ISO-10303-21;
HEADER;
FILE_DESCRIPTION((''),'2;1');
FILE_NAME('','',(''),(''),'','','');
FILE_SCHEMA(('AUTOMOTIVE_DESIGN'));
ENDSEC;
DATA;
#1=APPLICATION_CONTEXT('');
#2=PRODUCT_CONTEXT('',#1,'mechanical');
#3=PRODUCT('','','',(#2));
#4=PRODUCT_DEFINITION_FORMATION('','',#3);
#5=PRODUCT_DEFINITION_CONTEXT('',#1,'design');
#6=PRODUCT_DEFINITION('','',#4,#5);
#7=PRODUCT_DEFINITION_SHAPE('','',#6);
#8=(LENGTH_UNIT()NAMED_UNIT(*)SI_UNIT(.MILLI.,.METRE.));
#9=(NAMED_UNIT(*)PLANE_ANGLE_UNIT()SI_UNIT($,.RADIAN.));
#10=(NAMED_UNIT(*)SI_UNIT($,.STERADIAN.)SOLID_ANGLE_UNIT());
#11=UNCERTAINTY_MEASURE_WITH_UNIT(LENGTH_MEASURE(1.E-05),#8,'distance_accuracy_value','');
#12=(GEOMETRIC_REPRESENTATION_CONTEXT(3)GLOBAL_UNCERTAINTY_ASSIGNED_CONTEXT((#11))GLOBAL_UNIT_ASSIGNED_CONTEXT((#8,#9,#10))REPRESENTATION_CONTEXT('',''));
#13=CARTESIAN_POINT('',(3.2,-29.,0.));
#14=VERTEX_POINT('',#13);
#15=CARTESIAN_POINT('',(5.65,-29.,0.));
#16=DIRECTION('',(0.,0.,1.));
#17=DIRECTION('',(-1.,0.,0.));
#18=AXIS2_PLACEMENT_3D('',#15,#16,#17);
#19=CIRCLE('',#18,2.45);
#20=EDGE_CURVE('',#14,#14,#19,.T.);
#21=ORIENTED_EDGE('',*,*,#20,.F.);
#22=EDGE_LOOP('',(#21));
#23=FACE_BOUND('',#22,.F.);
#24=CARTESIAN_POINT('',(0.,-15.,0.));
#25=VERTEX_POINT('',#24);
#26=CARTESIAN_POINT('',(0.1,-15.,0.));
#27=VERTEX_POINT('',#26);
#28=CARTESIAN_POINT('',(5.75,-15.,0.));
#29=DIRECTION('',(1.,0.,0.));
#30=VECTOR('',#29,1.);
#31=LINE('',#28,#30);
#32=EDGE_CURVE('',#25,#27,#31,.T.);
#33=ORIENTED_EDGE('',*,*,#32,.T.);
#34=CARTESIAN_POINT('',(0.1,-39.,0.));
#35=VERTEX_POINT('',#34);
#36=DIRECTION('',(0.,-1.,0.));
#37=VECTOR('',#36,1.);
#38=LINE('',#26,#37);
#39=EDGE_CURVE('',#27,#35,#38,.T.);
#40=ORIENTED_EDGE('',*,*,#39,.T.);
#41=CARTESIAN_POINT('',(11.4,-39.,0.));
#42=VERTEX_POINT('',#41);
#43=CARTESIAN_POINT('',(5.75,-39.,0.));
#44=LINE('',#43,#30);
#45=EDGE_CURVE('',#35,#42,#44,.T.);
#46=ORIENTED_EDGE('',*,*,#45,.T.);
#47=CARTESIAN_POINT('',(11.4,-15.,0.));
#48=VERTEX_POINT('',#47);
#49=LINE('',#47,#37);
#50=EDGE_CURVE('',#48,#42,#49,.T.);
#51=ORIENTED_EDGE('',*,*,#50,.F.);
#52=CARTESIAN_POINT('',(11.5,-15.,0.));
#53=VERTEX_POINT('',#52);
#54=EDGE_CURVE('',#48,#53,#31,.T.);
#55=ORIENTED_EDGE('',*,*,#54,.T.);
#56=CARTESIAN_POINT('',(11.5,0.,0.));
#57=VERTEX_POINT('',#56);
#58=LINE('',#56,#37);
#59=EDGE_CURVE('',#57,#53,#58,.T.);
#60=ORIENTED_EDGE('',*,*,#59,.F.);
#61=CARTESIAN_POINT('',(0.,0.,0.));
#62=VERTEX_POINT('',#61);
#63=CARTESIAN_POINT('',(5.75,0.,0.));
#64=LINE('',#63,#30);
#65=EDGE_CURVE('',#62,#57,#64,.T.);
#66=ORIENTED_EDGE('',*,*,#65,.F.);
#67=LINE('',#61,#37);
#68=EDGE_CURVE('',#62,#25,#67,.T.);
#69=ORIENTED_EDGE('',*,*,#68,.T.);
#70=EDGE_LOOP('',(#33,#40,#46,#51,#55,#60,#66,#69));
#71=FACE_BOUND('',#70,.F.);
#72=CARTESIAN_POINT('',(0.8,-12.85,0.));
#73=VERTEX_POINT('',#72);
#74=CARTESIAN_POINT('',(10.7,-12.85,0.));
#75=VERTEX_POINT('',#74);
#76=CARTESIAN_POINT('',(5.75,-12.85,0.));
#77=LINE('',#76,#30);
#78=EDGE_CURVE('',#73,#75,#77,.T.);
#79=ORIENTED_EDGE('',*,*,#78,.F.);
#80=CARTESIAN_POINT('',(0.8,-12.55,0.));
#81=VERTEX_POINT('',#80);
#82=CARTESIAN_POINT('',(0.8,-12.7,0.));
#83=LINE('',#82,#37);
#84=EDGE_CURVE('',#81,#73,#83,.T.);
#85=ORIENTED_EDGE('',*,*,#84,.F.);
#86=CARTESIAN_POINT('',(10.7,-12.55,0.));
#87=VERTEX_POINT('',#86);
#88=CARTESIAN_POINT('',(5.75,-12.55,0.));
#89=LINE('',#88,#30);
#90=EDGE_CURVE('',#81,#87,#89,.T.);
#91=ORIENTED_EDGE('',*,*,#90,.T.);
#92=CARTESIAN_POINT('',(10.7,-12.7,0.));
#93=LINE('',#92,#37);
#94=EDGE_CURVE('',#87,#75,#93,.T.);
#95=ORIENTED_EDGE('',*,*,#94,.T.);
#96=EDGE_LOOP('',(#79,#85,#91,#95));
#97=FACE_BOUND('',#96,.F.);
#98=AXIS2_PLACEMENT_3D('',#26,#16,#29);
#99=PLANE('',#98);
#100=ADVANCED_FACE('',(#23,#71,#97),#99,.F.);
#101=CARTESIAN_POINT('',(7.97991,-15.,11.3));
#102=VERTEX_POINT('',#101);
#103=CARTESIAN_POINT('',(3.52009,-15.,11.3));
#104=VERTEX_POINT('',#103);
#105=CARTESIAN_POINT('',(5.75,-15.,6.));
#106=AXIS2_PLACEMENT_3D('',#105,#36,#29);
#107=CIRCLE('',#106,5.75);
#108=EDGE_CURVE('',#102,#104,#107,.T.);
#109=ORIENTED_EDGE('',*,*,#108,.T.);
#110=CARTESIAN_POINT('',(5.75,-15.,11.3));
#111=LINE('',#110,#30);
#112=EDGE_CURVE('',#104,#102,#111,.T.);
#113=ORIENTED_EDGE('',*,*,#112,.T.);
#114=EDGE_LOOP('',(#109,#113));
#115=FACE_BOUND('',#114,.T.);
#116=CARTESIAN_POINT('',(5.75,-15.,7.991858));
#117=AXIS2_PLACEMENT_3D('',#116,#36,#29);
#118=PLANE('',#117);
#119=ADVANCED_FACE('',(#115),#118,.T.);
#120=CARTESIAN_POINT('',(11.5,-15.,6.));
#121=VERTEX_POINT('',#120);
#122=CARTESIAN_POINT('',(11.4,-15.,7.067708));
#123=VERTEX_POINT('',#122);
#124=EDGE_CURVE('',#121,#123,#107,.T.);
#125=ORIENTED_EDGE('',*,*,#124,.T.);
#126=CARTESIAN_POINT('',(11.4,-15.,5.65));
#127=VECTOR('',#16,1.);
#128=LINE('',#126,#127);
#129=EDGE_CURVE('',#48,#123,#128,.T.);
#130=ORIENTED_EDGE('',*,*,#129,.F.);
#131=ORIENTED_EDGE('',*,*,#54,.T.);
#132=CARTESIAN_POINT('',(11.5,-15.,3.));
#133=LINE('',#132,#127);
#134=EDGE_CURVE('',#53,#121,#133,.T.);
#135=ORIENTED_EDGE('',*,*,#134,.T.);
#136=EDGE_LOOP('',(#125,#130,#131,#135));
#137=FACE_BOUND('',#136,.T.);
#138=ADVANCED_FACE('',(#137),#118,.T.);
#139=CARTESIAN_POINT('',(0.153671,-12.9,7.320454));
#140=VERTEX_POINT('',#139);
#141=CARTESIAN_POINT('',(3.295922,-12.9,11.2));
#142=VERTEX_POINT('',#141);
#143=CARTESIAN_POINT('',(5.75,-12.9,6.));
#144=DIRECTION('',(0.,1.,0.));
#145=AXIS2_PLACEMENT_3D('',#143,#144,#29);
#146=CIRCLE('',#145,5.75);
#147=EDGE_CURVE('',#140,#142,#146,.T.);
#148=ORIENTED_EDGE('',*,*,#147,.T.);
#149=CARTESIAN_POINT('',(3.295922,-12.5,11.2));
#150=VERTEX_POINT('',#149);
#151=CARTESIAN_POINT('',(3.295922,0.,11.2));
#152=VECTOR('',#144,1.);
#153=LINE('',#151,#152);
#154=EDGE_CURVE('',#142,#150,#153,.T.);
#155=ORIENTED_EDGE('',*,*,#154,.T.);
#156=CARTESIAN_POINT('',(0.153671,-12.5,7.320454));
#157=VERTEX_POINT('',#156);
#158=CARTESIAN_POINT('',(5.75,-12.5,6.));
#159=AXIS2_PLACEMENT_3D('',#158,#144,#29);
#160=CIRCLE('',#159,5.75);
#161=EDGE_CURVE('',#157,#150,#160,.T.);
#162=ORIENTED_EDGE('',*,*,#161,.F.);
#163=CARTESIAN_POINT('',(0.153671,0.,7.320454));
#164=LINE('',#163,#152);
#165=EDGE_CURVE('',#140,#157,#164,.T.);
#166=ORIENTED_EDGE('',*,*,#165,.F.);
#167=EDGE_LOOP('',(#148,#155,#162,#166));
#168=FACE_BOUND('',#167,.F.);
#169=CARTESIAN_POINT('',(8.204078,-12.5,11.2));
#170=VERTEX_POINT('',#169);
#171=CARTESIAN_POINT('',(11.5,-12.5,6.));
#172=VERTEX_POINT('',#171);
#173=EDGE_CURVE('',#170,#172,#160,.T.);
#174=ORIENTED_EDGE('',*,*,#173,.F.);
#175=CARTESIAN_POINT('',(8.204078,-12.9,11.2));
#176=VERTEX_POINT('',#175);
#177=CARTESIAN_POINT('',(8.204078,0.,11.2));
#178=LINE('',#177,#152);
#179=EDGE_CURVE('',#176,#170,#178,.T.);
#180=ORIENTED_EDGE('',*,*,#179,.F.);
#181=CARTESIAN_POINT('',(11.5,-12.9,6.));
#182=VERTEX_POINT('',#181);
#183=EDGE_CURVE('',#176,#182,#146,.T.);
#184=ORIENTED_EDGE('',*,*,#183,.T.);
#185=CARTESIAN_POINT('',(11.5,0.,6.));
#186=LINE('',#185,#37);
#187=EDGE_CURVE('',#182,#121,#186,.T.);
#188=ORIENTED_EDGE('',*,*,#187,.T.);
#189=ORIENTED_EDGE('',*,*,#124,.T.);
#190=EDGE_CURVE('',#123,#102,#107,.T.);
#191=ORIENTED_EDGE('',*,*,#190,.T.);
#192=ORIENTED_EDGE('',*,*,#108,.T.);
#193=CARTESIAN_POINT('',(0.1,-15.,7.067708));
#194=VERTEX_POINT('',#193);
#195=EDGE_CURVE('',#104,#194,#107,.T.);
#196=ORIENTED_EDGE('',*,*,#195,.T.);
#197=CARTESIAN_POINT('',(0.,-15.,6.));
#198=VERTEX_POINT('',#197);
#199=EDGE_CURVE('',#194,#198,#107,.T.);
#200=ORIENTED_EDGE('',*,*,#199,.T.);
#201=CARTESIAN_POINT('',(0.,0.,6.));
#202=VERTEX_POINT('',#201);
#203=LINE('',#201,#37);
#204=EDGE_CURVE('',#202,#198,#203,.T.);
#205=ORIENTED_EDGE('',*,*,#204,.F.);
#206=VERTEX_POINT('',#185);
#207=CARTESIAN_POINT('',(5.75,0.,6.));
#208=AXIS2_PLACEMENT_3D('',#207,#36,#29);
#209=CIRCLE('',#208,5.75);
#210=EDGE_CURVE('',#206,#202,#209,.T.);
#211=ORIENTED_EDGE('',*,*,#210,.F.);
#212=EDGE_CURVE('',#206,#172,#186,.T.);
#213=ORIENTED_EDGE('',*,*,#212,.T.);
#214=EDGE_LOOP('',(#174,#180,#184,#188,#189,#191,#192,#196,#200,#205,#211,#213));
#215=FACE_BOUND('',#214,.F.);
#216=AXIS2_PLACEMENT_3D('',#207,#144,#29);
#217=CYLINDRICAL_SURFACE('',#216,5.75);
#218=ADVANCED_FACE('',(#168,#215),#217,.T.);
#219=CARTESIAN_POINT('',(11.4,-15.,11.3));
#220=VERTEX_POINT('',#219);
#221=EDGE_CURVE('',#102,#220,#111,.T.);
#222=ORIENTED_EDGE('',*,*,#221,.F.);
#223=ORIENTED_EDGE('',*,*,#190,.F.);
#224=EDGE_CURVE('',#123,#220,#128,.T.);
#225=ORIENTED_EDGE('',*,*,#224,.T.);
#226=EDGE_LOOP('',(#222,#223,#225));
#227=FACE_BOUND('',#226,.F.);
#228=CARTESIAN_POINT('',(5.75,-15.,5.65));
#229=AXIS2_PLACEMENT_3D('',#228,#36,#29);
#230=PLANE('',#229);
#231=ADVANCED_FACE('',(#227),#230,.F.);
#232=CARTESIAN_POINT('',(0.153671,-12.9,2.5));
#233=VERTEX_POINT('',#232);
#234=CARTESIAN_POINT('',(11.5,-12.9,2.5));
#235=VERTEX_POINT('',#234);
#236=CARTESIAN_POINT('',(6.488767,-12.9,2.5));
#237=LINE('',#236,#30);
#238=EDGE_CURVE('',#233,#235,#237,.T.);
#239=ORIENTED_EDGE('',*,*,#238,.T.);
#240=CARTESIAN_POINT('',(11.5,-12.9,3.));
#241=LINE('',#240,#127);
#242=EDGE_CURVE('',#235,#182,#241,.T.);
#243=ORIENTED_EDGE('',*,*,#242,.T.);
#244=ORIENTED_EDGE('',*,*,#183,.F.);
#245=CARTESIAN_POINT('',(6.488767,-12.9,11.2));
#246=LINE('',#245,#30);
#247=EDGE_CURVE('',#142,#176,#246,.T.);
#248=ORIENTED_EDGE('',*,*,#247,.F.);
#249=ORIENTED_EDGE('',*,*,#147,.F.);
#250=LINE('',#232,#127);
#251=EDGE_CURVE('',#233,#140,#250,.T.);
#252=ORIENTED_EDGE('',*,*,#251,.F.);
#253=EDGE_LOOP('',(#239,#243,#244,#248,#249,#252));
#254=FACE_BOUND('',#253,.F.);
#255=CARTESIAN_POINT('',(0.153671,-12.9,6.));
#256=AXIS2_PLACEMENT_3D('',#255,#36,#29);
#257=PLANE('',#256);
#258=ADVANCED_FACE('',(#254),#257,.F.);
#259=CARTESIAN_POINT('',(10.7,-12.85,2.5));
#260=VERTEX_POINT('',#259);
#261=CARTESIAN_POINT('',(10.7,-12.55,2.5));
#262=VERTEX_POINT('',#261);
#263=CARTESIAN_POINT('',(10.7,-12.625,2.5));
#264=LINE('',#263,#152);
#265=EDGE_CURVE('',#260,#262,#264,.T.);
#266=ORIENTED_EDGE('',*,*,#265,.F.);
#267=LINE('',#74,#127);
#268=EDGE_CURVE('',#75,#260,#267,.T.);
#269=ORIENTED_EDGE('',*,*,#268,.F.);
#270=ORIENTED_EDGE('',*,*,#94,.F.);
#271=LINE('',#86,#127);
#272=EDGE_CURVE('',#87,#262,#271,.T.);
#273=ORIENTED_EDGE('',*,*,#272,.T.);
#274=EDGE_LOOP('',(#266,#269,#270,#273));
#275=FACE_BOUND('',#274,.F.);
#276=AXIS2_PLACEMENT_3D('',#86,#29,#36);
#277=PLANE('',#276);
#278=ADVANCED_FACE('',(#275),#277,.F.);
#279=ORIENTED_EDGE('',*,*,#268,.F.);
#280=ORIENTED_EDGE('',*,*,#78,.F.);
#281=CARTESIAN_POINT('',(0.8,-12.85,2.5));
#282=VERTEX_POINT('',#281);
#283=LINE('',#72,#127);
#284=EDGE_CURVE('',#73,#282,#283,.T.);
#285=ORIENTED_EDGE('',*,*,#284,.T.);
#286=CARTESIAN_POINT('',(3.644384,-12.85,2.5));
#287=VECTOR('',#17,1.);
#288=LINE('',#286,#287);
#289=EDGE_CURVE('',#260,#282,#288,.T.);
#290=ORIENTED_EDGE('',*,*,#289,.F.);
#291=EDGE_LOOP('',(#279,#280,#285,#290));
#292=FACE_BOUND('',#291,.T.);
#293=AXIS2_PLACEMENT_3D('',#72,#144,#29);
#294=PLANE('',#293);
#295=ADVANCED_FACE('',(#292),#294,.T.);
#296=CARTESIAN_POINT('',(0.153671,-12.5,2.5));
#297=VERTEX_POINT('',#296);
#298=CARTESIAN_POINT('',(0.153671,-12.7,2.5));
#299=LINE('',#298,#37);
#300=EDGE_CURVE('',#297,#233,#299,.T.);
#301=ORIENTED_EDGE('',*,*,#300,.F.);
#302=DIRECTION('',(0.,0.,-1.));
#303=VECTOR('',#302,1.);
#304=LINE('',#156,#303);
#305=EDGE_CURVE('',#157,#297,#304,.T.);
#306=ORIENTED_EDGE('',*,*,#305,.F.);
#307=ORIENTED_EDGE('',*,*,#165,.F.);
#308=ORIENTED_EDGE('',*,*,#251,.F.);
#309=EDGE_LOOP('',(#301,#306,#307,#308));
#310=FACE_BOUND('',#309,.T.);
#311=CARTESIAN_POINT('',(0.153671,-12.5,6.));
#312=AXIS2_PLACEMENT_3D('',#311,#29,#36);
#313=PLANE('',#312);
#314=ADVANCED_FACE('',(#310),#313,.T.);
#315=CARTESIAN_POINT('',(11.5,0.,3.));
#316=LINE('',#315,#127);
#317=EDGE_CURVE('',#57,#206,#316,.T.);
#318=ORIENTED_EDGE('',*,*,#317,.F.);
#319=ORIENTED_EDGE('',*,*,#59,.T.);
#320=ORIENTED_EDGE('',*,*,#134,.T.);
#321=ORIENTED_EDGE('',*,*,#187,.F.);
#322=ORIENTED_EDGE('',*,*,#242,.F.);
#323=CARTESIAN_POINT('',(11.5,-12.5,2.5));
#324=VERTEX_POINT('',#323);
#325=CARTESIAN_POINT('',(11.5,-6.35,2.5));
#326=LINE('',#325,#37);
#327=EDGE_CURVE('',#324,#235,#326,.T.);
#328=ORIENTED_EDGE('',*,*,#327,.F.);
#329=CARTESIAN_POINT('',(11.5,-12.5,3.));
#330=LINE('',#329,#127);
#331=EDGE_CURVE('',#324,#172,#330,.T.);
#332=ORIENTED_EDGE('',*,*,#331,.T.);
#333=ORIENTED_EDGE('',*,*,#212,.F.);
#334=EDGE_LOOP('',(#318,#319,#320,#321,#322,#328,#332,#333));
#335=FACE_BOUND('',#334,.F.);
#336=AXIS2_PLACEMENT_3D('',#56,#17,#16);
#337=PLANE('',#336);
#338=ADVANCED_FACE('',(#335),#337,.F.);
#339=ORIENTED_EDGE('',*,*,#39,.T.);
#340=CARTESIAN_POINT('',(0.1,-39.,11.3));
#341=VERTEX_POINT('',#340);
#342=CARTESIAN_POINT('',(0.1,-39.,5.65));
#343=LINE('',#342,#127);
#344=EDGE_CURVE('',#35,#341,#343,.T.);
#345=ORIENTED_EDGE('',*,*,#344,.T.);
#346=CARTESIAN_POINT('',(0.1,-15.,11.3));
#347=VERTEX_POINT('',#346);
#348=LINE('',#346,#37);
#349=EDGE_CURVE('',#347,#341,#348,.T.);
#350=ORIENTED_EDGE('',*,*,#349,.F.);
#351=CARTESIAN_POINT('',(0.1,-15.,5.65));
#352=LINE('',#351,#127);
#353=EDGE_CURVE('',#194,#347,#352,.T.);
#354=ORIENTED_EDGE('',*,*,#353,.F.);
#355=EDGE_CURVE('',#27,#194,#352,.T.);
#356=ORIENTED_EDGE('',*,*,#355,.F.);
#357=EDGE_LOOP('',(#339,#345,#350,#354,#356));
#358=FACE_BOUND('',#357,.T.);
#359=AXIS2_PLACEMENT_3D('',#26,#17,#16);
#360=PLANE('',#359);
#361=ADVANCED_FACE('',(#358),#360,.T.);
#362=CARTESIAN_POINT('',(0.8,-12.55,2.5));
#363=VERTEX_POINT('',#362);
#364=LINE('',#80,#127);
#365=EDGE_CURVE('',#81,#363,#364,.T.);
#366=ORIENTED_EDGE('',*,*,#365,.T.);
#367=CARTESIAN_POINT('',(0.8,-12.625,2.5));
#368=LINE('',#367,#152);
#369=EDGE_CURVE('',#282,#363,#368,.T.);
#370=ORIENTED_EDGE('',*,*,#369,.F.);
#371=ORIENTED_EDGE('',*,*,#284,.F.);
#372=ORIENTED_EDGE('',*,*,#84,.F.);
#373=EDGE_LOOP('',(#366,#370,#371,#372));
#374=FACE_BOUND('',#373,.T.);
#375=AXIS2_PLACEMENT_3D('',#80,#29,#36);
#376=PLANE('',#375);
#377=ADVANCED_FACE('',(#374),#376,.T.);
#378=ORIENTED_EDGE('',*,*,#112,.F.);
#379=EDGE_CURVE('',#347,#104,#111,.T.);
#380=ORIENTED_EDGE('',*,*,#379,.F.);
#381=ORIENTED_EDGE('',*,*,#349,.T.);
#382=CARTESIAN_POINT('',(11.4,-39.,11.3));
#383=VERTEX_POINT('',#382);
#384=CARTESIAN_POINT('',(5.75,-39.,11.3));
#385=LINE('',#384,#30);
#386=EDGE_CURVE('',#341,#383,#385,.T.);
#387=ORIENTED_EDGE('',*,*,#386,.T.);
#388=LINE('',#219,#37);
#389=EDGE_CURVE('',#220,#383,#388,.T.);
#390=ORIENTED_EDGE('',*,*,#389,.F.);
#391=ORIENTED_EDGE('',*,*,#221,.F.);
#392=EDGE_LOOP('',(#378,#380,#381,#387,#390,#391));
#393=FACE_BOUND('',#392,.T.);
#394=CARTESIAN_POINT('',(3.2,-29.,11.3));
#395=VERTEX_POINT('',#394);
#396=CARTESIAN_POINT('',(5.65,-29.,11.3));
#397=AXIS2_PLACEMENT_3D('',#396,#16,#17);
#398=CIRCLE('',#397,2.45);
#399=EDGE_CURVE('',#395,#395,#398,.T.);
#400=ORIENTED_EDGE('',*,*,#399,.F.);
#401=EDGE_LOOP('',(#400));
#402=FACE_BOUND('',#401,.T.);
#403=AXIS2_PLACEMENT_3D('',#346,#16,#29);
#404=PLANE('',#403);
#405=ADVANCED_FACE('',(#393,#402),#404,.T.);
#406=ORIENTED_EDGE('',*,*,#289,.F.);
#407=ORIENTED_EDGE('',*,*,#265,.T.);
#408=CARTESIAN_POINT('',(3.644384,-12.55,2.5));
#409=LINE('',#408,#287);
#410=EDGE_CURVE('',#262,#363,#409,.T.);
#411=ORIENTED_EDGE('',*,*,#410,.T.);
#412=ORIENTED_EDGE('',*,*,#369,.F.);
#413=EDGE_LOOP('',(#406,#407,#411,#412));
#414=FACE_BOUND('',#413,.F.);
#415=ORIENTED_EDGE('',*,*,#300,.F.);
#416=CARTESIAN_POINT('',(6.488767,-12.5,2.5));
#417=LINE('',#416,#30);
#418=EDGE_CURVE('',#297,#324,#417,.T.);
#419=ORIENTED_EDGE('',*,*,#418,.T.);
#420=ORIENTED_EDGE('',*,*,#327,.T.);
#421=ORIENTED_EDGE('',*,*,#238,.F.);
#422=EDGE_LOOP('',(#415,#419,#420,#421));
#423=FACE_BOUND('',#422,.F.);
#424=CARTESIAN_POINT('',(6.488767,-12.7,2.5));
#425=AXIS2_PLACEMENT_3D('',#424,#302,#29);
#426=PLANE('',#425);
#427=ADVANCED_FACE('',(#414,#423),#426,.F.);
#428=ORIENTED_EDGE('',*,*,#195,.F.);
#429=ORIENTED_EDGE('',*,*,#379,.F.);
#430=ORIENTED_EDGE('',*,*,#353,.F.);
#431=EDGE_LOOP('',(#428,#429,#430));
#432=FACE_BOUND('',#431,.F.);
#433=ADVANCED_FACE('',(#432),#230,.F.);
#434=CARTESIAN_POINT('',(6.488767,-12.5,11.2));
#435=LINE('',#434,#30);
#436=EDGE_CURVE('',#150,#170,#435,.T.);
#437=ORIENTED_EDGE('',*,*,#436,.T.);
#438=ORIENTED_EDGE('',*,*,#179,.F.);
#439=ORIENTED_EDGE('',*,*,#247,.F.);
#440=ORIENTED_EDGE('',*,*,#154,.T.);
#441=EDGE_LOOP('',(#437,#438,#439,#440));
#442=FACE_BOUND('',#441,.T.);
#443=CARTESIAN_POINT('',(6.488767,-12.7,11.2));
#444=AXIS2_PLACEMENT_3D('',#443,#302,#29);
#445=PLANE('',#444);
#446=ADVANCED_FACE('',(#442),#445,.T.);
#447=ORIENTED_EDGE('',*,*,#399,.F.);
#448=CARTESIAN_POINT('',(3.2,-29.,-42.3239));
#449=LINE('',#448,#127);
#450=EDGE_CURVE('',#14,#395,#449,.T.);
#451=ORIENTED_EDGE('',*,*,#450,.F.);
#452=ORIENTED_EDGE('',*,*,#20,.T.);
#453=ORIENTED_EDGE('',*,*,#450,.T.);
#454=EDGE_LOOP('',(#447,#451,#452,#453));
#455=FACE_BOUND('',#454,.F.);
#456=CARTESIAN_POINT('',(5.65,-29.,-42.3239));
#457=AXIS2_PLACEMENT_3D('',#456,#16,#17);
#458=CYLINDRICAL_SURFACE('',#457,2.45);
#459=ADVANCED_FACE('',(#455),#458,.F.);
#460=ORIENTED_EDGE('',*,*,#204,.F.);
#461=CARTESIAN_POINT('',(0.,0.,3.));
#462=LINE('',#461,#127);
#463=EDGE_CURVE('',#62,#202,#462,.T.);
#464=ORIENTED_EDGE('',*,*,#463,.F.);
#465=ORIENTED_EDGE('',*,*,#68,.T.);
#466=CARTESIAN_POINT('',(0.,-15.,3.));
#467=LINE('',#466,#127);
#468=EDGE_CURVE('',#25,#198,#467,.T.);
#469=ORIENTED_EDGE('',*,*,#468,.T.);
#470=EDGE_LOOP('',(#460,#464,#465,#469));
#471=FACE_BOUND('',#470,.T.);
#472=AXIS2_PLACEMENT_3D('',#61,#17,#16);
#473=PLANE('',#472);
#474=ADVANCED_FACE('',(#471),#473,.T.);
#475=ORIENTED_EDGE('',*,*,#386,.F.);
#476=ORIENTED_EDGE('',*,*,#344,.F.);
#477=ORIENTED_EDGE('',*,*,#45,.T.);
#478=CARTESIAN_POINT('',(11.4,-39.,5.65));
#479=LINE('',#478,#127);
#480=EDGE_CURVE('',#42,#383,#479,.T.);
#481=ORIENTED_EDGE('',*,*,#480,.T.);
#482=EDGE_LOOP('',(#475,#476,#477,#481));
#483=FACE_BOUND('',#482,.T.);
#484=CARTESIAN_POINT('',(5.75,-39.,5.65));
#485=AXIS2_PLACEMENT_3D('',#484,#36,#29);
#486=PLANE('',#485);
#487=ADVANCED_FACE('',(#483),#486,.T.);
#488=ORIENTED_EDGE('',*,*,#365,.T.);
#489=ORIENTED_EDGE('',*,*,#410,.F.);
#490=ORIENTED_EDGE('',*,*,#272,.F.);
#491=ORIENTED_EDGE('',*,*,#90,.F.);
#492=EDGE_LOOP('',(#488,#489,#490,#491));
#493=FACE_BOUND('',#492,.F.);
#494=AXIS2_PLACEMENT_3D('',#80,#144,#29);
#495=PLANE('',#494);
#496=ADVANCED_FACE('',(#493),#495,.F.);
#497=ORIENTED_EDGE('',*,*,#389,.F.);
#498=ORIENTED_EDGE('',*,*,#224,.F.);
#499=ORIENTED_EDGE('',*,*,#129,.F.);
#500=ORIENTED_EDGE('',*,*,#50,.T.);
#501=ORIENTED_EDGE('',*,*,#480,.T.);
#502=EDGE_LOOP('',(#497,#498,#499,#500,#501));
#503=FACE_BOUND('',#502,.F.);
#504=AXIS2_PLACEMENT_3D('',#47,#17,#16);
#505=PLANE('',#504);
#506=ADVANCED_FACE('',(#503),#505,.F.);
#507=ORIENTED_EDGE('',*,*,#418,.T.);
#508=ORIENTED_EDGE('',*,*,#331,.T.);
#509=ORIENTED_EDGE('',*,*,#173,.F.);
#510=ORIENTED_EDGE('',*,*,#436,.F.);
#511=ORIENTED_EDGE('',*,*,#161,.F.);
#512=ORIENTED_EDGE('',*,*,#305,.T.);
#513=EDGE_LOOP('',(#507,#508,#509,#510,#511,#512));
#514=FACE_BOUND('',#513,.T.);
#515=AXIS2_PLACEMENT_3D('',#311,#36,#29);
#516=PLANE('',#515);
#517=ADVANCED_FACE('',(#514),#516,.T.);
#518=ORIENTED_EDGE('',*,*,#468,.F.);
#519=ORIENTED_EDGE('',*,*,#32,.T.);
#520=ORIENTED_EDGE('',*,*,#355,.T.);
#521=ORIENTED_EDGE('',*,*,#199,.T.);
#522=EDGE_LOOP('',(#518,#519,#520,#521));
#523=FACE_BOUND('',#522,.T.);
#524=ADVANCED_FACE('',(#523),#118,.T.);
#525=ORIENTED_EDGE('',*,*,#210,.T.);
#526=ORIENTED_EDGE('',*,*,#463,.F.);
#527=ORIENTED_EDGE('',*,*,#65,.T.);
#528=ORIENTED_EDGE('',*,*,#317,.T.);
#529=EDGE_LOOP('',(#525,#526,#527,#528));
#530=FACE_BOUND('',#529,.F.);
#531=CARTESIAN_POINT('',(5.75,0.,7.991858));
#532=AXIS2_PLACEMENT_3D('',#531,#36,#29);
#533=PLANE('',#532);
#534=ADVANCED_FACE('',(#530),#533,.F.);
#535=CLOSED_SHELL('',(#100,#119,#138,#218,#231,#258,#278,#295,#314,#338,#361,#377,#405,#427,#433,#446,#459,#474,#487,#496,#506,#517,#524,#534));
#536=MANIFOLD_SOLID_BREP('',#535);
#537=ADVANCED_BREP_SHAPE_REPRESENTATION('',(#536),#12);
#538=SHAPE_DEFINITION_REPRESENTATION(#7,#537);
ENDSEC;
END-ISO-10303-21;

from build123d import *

# Parameters (mm, degrees)
F0_W      = 11.5
F0_H      = 6
F1_DEPTH  = 15
F2_W      = 11.3
F2_H      = 11.3
F3_DEPTH  = 24
F5_W      = 12.6701932168
F5_H      = 0.4
F6_DEPTH  = 5.2
F7_W      = 9.9
F7_H      = 0.3
F8_DEPTH  = 6
F9_D      = 4.9
F10_DEPTH = 3.5


with BuildPart() as f1:
    # F0 (on Front) → F1 (new body)
    with BuildSketch(Plane.XZ):
        with BuildLine():
            ThreePointArc((11.5, 6), (5.75, 11.75), (0, 6))
            Line((0, 6), (11.5, 6))
        make_face()
        with Locations((5.75, 3)):
            Rectangle(F0_W, F0_H)
    extrude(amount=F1_DEPTH)

    # F2 (on face) → F3 (join)
    with BuildSketch(Plane.XZ.offset(15)):
        with Locations((5.75, 5.65)):
            Rectangle(F2_W, F2_H)
    extrude(amount=F3_DEPTH)

    # F5 (on 3pt) → F6 (cut)
    with BuildSketch(Plane(origin=(0, 0, 6), x_dir=(1, 0, 0), z_dir=(0, 0, -1))):
        with Locations((6.4887672779, 12.7)):
            Rectangle(F5_W, F5_H)
    extrude(amount=-F6_DEPTH, mode=Mode.SUBTRACT)

    # F7 (on face) → F8 (cut, through all)
    with BuildSketch(Plane(origin=(0, 0, 0), x_dir=(1, 0, 0), z_dir=(0, 0, -1))):
        with Locations((5.75, 12.7)):
            Rectangle(F7_W, F7_H)
    extrude(amount=-F8_DEPTH, mode=Mode.SUBTRACT)

    # F9 (through all)
    with Locations(Plane(origin=(0, 0, 0), x_dir=(1, 0, 0), z_dir=(0, 0, -1))):
        with Locations((5.65, 29)):
            Hole(F9_D / 2)

    # F5 (on 3pt) → F10 (cut)
    with BuildSketch(Plane(origin=(0, 0, 6), x_dir=(1, 0, 0), z_dir=(0, 0, -1))):
        with Locations((6.4887672779, 12.7)):
            Rectangle(F5_W, F5_H)
    extrude(amount=F10_DEPTH, mode=Mode.SUBTRACT)


solid = f1.part
